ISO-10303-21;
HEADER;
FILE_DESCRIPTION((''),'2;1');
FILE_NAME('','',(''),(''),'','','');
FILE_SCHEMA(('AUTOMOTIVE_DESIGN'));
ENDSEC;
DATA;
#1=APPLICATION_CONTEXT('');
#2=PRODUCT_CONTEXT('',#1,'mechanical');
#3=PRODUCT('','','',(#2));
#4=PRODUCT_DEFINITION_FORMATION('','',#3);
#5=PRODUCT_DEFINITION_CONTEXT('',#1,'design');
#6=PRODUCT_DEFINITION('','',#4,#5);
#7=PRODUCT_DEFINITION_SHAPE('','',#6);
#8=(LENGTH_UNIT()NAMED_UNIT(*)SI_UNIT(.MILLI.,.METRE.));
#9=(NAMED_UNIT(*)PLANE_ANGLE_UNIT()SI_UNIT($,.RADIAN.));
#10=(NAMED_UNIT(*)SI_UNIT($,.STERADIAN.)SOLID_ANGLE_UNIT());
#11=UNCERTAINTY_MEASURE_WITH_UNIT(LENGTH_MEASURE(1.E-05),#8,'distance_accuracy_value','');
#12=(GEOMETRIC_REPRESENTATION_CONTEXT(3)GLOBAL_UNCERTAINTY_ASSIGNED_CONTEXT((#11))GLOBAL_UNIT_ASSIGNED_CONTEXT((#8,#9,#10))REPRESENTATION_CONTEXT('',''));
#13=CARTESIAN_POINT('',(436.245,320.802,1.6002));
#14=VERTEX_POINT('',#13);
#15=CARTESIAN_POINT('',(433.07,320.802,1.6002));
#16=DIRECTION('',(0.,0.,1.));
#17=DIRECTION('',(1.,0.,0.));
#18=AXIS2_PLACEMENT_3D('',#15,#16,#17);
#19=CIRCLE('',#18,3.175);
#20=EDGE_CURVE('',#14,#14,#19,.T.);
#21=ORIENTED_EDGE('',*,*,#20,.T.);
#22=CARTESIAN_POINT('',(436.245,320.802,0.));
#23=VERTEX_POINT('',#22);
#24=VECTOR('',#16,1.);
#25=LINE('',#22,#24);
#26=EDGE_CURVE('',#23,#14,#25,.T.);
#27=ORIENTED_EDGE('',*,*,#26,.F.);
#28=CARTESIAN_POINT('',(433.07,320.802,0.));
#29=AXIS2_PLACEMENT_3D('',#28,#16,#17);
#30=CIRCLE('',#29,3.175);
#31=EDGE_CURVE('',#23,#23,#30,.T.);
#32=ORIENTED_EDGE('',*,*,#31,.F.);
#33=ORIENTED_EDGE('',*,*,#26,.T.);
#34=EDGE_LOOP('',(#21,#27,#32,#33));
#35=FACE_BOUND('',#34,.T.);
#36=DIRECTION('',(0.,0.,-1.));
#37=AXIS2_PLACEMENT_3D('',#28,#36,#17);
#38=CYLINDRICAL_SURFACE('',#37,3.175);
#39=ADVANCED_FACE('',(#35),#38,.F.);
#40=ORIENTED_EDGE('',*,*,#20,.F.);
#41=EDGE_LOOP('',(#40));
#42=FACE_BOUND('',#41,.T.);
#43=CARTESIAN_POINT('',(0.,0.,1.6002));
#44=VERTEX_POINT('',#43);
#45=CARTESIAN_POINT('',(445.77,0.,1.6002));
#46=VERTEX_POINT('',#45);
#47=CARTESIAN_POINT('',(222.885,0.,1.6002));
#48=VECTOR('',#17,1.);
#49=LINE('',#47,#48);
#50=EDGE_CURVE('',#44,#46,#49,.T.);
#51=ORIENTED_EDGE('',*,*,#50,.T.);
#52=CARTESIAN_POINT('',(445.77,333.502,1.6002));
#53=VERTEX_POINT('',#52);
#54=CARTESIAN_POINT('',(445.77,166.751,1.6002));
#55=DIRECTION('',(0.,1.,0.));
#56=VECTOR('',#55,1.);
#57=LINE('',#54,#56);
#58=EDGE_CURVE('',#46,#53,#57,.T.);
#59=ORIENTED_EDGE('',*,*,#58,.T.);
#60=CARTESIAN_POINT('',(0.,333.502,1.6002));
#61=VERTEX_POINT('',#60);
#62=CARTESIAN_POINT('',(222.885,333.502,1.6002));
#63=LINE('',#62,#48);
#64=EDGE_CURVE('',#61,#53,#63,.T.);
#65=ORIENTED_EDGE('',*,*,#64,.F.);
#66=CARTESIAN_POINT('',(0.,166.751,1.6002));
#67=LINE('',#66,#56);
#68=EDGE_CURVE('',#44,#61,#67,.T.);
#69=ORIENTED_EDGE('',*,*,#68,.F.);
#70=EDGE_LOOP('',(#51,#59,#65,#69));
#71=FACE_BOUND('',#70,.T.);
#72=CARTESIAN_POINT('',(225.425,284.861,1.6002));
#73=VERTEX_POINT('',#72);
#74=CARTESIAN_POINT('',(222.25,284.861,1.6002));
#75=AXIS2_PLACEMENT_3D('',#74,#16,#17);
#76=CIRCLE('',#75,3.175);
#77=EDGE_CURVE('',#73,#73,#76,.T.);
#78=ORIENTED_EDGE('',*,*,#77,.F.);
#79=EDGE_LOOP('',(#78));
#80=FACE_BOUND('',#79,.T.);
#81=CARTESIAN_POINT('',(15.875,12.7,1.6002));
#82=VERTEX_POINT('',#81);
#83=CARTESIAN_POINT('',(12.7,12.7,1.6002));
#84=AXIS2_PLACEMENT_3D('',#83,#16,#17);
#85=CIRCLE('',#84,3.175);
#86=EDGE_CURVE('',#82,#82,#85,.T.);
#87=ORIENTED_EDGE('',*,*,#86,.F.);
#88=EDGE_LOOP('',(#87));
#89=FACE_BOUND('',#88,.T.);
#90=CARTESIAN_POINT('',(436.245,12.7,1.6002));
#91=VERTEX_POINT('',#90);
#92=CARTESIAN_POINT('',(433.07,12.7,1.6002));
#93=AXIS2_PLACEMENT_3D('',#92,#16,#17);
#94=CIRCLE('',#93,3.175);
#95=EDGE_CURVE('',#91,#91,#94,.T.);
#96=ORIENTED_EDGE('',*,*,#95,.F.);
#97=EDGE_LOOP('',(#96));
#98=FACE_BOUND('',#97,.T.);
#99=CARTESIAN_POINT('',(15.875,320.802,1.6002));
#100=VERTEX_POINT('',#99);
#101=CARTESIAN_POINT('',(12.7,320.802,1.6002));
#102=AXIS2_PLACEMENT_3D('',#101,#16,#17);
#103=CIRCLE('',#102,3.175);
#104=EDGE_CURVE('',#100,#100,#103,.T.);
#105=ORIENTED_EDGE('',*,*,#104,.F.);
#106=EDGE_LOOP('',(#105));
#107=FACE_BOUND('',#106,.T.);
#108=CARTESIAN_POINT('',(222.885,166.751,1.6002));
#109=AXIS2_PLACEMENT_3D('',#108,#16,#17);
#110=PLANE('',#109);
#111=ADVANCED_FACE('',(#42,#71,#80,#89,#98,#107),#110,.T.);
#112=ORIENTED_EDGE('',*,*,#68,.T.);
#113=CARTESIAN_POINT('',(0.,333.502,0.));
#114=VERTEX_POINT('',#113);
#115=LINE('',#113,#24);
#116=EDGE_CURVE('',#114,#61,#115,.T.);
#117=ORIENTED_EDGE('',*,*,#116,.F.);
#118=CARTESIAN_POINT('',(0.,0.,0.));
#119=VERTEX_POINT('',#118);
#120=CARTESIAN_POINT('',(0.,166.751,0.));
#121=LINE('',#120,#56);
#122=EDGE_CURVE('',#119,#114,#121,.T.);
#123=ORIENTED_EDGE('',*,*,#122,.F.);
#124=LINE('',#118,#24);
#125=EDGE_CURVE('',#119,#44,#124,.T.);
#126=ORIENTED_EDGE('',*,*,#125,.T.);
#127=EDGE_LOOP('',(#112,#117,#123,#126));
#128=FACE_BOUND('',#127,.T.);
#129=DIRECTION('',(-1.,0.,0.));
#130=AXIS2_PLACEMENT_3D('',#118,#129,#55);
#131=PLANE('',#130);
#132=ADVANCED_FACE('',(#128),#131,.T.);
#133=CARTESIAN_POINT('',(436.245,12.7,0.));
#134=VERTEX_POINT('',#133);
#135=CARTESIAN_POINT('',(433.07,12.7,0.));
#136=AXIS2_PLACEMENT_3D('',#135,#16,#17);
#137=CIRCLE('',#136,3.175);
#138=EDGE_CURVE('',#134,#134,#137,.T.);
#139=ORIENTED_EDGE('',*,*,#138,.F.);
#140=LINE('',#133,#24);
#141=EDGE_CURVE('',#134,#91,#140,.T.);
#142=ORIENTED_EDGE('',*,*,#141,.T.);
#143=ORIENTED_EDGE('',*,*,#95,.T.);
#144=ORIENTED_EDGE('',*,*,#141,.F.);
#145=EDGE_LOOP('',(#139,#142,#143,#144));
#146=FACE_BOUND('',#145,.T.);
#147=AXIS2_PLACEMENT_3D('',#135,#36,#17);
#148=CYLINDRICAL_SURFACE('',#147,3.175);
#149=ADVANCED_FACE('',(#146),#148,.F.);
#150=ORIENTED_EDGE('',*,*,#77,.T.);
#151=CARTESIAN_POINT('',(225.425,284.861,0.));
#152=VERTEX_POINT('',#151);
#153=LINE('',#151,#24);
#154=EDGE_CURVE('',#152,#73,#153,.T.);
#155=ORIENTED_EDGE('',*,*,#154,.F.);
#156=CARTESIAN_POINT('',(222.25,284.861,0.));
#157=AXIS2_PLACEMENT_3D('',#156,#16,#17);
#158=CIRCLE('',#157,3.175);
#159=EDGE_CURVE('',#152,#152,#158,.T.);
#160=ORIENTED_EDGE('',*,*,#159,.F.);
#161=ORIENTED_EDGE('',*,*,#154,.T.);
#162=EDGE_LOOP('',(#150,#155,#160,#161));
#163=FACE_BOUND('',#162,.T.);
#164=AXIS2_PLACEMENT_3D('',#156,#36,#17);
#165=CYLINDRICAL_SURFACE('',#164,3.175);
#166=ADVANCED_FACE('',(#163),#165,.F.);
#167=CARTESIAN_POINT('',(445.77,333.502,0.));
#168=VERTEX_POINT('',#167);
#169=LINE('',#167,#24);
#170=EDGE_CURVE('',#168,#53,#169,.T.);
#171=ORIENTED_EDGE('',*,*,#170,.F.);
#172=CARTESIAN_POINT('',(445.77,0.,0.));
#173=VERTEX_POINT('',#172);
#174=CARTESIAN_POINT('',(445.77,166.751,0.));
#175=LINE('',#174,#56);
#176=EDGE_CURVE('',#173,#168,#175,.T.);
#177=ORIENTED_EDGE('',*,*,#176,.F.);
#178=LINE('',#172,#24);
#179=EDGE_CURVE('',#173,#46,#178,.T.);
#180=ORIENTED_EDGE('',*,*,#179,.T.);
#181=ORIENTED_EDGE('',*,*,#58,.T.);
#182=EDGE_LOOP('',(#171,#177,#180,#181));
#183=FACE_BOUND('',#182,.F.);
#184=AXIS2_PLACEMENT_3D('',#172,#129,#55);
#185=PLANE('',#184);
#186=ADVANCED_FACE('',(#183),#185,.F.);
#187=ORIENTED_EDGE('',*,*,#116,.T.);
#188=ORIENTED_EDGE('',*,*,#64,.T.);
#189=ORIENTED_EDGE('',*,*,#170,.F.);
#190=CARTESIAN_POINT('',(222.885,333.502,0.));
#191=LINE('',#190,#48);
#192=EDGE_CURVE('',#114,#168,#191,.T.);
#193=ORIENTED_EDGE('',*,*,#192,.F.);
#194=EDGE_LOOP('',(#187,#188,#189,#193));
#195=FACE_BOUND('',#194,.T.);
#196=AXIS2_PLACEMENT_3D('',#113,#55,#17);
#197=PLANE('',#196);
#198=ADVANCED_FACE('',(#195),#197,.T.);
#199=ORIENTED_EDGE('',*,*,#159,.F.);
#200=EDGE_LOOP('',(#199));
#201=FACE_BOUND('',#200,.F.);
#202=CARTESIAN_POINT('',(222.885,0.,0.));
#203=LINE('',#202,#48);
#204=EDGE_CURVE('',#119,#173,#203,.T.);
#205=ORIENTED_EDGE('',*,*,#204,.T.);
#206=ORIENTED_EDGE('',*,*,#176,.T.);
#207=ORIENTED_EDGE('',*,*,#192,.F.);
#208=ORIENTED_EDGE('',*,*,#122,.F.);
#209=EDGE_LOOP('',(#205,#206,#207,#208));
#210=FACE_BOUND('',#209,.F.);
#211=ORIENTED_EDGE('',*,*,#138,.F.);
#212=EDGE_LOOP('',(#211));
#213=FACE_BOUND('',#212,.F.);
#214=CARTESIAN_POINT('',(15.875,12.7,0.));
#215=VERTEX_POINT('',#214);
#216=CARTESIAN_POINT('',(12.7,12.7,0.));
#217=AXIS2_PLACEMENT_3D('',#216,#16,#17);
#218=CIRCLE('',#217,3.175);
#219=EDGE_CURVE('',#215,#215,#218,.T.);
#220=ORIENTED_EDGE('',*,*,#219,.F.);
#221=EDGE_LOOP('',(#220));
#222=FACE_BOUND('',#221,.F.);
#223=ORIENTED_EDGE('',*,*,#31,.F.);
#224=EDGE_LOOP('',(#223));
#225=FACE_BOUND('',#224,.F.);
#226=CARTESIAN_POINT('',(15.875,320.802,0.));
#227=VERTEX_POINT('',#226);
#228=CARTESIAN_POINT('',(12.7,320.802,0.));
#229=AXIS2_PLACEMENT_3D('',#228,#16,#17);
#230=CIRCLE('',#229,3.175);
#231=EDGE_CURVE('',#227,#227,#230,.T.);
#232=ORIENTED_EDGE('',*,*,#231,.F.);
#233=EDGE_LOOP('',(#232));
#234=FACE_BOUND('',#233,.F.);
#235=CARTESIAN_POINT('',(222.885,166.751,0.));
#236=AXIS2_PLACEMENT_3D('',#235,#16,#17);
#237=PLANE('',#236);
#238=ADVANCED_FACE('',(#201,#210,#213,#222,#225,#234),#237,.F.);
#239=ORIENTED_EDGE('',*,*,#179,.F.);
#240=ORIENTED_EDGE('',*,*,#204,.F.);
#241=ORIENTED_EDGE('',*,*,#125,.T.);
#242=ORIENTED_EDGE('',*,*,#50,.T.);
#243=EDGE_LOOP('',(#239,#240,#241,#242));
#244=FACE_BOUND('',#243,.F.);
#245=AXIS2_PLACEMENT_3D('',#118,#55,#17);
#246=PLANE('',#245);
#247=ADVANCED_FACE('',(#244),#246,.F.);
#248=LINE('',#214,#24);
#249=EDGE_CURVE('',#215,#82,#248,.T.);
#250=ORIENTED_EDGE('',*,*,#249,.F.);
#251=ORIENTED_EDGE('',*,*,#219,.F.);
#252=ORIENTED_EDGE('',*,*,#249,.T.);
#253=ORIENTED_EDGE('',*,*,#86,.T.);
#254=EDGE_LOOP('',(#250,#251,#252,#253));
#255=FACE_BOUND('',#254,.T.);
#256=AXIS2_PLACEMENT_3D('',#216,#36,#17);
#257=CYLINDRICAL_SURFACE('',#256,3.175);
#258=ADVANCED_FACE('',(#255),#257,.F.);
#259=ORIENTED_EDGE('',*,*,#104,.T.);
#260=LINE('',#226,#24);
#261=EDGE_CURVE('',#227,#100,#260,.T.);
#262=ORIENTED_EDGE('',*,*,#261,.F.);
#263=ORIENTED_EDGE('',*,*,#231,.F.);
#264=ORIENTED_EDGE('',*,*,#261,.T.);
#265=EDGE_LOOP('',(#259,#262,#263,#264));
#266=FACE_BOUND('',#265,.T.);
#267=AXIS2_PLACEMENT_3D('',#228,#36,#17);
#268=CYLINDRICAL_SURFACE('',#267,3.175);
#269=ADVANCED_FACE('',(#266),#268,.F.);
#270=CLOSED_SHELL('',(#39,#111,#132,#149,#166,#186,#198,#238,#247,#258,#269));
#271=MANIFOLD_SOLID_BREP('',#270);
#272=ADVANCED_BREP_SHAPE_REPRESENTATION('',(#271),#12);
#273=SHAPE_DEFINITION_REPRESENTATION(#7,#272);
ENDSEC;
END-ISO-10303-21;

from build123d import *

# Parameters (mm, degrees)
F0_W     = 445.77
F0_H     = 333.502
F0_R     = 3.175
F1_DEPTH = 1.6002


with BuildPart() as f1:
    # F0 (on Top) → F1 (new body)
    with BuildSketch(Plane.XY):
        with Locations((222.885, 166.751)):
            Rectangle(F0_W, F0_H)
        with Locations((12.7, 12.7)):
            Circle(F0_R, mode=Mode.SUBTRACT)
        with Locations((433.07, 12.7)):
            Circle(F0_R, mode=Mode.SUBTRACT)
        with Locations((12.7, 320.802)):
            Circle(F0_R, mode=Mode.SUBTRACT)
        with Locations((222.25, 284.861)):
            Circle(F0_R, mode=Mode.SUBTRACT)
        with Locations((433.07, 320.802)):
            Circle(F0_R, mode=Mode.SUBTRACT)
    extrude(amount=F1_DEPTH)


solid = f1.part
